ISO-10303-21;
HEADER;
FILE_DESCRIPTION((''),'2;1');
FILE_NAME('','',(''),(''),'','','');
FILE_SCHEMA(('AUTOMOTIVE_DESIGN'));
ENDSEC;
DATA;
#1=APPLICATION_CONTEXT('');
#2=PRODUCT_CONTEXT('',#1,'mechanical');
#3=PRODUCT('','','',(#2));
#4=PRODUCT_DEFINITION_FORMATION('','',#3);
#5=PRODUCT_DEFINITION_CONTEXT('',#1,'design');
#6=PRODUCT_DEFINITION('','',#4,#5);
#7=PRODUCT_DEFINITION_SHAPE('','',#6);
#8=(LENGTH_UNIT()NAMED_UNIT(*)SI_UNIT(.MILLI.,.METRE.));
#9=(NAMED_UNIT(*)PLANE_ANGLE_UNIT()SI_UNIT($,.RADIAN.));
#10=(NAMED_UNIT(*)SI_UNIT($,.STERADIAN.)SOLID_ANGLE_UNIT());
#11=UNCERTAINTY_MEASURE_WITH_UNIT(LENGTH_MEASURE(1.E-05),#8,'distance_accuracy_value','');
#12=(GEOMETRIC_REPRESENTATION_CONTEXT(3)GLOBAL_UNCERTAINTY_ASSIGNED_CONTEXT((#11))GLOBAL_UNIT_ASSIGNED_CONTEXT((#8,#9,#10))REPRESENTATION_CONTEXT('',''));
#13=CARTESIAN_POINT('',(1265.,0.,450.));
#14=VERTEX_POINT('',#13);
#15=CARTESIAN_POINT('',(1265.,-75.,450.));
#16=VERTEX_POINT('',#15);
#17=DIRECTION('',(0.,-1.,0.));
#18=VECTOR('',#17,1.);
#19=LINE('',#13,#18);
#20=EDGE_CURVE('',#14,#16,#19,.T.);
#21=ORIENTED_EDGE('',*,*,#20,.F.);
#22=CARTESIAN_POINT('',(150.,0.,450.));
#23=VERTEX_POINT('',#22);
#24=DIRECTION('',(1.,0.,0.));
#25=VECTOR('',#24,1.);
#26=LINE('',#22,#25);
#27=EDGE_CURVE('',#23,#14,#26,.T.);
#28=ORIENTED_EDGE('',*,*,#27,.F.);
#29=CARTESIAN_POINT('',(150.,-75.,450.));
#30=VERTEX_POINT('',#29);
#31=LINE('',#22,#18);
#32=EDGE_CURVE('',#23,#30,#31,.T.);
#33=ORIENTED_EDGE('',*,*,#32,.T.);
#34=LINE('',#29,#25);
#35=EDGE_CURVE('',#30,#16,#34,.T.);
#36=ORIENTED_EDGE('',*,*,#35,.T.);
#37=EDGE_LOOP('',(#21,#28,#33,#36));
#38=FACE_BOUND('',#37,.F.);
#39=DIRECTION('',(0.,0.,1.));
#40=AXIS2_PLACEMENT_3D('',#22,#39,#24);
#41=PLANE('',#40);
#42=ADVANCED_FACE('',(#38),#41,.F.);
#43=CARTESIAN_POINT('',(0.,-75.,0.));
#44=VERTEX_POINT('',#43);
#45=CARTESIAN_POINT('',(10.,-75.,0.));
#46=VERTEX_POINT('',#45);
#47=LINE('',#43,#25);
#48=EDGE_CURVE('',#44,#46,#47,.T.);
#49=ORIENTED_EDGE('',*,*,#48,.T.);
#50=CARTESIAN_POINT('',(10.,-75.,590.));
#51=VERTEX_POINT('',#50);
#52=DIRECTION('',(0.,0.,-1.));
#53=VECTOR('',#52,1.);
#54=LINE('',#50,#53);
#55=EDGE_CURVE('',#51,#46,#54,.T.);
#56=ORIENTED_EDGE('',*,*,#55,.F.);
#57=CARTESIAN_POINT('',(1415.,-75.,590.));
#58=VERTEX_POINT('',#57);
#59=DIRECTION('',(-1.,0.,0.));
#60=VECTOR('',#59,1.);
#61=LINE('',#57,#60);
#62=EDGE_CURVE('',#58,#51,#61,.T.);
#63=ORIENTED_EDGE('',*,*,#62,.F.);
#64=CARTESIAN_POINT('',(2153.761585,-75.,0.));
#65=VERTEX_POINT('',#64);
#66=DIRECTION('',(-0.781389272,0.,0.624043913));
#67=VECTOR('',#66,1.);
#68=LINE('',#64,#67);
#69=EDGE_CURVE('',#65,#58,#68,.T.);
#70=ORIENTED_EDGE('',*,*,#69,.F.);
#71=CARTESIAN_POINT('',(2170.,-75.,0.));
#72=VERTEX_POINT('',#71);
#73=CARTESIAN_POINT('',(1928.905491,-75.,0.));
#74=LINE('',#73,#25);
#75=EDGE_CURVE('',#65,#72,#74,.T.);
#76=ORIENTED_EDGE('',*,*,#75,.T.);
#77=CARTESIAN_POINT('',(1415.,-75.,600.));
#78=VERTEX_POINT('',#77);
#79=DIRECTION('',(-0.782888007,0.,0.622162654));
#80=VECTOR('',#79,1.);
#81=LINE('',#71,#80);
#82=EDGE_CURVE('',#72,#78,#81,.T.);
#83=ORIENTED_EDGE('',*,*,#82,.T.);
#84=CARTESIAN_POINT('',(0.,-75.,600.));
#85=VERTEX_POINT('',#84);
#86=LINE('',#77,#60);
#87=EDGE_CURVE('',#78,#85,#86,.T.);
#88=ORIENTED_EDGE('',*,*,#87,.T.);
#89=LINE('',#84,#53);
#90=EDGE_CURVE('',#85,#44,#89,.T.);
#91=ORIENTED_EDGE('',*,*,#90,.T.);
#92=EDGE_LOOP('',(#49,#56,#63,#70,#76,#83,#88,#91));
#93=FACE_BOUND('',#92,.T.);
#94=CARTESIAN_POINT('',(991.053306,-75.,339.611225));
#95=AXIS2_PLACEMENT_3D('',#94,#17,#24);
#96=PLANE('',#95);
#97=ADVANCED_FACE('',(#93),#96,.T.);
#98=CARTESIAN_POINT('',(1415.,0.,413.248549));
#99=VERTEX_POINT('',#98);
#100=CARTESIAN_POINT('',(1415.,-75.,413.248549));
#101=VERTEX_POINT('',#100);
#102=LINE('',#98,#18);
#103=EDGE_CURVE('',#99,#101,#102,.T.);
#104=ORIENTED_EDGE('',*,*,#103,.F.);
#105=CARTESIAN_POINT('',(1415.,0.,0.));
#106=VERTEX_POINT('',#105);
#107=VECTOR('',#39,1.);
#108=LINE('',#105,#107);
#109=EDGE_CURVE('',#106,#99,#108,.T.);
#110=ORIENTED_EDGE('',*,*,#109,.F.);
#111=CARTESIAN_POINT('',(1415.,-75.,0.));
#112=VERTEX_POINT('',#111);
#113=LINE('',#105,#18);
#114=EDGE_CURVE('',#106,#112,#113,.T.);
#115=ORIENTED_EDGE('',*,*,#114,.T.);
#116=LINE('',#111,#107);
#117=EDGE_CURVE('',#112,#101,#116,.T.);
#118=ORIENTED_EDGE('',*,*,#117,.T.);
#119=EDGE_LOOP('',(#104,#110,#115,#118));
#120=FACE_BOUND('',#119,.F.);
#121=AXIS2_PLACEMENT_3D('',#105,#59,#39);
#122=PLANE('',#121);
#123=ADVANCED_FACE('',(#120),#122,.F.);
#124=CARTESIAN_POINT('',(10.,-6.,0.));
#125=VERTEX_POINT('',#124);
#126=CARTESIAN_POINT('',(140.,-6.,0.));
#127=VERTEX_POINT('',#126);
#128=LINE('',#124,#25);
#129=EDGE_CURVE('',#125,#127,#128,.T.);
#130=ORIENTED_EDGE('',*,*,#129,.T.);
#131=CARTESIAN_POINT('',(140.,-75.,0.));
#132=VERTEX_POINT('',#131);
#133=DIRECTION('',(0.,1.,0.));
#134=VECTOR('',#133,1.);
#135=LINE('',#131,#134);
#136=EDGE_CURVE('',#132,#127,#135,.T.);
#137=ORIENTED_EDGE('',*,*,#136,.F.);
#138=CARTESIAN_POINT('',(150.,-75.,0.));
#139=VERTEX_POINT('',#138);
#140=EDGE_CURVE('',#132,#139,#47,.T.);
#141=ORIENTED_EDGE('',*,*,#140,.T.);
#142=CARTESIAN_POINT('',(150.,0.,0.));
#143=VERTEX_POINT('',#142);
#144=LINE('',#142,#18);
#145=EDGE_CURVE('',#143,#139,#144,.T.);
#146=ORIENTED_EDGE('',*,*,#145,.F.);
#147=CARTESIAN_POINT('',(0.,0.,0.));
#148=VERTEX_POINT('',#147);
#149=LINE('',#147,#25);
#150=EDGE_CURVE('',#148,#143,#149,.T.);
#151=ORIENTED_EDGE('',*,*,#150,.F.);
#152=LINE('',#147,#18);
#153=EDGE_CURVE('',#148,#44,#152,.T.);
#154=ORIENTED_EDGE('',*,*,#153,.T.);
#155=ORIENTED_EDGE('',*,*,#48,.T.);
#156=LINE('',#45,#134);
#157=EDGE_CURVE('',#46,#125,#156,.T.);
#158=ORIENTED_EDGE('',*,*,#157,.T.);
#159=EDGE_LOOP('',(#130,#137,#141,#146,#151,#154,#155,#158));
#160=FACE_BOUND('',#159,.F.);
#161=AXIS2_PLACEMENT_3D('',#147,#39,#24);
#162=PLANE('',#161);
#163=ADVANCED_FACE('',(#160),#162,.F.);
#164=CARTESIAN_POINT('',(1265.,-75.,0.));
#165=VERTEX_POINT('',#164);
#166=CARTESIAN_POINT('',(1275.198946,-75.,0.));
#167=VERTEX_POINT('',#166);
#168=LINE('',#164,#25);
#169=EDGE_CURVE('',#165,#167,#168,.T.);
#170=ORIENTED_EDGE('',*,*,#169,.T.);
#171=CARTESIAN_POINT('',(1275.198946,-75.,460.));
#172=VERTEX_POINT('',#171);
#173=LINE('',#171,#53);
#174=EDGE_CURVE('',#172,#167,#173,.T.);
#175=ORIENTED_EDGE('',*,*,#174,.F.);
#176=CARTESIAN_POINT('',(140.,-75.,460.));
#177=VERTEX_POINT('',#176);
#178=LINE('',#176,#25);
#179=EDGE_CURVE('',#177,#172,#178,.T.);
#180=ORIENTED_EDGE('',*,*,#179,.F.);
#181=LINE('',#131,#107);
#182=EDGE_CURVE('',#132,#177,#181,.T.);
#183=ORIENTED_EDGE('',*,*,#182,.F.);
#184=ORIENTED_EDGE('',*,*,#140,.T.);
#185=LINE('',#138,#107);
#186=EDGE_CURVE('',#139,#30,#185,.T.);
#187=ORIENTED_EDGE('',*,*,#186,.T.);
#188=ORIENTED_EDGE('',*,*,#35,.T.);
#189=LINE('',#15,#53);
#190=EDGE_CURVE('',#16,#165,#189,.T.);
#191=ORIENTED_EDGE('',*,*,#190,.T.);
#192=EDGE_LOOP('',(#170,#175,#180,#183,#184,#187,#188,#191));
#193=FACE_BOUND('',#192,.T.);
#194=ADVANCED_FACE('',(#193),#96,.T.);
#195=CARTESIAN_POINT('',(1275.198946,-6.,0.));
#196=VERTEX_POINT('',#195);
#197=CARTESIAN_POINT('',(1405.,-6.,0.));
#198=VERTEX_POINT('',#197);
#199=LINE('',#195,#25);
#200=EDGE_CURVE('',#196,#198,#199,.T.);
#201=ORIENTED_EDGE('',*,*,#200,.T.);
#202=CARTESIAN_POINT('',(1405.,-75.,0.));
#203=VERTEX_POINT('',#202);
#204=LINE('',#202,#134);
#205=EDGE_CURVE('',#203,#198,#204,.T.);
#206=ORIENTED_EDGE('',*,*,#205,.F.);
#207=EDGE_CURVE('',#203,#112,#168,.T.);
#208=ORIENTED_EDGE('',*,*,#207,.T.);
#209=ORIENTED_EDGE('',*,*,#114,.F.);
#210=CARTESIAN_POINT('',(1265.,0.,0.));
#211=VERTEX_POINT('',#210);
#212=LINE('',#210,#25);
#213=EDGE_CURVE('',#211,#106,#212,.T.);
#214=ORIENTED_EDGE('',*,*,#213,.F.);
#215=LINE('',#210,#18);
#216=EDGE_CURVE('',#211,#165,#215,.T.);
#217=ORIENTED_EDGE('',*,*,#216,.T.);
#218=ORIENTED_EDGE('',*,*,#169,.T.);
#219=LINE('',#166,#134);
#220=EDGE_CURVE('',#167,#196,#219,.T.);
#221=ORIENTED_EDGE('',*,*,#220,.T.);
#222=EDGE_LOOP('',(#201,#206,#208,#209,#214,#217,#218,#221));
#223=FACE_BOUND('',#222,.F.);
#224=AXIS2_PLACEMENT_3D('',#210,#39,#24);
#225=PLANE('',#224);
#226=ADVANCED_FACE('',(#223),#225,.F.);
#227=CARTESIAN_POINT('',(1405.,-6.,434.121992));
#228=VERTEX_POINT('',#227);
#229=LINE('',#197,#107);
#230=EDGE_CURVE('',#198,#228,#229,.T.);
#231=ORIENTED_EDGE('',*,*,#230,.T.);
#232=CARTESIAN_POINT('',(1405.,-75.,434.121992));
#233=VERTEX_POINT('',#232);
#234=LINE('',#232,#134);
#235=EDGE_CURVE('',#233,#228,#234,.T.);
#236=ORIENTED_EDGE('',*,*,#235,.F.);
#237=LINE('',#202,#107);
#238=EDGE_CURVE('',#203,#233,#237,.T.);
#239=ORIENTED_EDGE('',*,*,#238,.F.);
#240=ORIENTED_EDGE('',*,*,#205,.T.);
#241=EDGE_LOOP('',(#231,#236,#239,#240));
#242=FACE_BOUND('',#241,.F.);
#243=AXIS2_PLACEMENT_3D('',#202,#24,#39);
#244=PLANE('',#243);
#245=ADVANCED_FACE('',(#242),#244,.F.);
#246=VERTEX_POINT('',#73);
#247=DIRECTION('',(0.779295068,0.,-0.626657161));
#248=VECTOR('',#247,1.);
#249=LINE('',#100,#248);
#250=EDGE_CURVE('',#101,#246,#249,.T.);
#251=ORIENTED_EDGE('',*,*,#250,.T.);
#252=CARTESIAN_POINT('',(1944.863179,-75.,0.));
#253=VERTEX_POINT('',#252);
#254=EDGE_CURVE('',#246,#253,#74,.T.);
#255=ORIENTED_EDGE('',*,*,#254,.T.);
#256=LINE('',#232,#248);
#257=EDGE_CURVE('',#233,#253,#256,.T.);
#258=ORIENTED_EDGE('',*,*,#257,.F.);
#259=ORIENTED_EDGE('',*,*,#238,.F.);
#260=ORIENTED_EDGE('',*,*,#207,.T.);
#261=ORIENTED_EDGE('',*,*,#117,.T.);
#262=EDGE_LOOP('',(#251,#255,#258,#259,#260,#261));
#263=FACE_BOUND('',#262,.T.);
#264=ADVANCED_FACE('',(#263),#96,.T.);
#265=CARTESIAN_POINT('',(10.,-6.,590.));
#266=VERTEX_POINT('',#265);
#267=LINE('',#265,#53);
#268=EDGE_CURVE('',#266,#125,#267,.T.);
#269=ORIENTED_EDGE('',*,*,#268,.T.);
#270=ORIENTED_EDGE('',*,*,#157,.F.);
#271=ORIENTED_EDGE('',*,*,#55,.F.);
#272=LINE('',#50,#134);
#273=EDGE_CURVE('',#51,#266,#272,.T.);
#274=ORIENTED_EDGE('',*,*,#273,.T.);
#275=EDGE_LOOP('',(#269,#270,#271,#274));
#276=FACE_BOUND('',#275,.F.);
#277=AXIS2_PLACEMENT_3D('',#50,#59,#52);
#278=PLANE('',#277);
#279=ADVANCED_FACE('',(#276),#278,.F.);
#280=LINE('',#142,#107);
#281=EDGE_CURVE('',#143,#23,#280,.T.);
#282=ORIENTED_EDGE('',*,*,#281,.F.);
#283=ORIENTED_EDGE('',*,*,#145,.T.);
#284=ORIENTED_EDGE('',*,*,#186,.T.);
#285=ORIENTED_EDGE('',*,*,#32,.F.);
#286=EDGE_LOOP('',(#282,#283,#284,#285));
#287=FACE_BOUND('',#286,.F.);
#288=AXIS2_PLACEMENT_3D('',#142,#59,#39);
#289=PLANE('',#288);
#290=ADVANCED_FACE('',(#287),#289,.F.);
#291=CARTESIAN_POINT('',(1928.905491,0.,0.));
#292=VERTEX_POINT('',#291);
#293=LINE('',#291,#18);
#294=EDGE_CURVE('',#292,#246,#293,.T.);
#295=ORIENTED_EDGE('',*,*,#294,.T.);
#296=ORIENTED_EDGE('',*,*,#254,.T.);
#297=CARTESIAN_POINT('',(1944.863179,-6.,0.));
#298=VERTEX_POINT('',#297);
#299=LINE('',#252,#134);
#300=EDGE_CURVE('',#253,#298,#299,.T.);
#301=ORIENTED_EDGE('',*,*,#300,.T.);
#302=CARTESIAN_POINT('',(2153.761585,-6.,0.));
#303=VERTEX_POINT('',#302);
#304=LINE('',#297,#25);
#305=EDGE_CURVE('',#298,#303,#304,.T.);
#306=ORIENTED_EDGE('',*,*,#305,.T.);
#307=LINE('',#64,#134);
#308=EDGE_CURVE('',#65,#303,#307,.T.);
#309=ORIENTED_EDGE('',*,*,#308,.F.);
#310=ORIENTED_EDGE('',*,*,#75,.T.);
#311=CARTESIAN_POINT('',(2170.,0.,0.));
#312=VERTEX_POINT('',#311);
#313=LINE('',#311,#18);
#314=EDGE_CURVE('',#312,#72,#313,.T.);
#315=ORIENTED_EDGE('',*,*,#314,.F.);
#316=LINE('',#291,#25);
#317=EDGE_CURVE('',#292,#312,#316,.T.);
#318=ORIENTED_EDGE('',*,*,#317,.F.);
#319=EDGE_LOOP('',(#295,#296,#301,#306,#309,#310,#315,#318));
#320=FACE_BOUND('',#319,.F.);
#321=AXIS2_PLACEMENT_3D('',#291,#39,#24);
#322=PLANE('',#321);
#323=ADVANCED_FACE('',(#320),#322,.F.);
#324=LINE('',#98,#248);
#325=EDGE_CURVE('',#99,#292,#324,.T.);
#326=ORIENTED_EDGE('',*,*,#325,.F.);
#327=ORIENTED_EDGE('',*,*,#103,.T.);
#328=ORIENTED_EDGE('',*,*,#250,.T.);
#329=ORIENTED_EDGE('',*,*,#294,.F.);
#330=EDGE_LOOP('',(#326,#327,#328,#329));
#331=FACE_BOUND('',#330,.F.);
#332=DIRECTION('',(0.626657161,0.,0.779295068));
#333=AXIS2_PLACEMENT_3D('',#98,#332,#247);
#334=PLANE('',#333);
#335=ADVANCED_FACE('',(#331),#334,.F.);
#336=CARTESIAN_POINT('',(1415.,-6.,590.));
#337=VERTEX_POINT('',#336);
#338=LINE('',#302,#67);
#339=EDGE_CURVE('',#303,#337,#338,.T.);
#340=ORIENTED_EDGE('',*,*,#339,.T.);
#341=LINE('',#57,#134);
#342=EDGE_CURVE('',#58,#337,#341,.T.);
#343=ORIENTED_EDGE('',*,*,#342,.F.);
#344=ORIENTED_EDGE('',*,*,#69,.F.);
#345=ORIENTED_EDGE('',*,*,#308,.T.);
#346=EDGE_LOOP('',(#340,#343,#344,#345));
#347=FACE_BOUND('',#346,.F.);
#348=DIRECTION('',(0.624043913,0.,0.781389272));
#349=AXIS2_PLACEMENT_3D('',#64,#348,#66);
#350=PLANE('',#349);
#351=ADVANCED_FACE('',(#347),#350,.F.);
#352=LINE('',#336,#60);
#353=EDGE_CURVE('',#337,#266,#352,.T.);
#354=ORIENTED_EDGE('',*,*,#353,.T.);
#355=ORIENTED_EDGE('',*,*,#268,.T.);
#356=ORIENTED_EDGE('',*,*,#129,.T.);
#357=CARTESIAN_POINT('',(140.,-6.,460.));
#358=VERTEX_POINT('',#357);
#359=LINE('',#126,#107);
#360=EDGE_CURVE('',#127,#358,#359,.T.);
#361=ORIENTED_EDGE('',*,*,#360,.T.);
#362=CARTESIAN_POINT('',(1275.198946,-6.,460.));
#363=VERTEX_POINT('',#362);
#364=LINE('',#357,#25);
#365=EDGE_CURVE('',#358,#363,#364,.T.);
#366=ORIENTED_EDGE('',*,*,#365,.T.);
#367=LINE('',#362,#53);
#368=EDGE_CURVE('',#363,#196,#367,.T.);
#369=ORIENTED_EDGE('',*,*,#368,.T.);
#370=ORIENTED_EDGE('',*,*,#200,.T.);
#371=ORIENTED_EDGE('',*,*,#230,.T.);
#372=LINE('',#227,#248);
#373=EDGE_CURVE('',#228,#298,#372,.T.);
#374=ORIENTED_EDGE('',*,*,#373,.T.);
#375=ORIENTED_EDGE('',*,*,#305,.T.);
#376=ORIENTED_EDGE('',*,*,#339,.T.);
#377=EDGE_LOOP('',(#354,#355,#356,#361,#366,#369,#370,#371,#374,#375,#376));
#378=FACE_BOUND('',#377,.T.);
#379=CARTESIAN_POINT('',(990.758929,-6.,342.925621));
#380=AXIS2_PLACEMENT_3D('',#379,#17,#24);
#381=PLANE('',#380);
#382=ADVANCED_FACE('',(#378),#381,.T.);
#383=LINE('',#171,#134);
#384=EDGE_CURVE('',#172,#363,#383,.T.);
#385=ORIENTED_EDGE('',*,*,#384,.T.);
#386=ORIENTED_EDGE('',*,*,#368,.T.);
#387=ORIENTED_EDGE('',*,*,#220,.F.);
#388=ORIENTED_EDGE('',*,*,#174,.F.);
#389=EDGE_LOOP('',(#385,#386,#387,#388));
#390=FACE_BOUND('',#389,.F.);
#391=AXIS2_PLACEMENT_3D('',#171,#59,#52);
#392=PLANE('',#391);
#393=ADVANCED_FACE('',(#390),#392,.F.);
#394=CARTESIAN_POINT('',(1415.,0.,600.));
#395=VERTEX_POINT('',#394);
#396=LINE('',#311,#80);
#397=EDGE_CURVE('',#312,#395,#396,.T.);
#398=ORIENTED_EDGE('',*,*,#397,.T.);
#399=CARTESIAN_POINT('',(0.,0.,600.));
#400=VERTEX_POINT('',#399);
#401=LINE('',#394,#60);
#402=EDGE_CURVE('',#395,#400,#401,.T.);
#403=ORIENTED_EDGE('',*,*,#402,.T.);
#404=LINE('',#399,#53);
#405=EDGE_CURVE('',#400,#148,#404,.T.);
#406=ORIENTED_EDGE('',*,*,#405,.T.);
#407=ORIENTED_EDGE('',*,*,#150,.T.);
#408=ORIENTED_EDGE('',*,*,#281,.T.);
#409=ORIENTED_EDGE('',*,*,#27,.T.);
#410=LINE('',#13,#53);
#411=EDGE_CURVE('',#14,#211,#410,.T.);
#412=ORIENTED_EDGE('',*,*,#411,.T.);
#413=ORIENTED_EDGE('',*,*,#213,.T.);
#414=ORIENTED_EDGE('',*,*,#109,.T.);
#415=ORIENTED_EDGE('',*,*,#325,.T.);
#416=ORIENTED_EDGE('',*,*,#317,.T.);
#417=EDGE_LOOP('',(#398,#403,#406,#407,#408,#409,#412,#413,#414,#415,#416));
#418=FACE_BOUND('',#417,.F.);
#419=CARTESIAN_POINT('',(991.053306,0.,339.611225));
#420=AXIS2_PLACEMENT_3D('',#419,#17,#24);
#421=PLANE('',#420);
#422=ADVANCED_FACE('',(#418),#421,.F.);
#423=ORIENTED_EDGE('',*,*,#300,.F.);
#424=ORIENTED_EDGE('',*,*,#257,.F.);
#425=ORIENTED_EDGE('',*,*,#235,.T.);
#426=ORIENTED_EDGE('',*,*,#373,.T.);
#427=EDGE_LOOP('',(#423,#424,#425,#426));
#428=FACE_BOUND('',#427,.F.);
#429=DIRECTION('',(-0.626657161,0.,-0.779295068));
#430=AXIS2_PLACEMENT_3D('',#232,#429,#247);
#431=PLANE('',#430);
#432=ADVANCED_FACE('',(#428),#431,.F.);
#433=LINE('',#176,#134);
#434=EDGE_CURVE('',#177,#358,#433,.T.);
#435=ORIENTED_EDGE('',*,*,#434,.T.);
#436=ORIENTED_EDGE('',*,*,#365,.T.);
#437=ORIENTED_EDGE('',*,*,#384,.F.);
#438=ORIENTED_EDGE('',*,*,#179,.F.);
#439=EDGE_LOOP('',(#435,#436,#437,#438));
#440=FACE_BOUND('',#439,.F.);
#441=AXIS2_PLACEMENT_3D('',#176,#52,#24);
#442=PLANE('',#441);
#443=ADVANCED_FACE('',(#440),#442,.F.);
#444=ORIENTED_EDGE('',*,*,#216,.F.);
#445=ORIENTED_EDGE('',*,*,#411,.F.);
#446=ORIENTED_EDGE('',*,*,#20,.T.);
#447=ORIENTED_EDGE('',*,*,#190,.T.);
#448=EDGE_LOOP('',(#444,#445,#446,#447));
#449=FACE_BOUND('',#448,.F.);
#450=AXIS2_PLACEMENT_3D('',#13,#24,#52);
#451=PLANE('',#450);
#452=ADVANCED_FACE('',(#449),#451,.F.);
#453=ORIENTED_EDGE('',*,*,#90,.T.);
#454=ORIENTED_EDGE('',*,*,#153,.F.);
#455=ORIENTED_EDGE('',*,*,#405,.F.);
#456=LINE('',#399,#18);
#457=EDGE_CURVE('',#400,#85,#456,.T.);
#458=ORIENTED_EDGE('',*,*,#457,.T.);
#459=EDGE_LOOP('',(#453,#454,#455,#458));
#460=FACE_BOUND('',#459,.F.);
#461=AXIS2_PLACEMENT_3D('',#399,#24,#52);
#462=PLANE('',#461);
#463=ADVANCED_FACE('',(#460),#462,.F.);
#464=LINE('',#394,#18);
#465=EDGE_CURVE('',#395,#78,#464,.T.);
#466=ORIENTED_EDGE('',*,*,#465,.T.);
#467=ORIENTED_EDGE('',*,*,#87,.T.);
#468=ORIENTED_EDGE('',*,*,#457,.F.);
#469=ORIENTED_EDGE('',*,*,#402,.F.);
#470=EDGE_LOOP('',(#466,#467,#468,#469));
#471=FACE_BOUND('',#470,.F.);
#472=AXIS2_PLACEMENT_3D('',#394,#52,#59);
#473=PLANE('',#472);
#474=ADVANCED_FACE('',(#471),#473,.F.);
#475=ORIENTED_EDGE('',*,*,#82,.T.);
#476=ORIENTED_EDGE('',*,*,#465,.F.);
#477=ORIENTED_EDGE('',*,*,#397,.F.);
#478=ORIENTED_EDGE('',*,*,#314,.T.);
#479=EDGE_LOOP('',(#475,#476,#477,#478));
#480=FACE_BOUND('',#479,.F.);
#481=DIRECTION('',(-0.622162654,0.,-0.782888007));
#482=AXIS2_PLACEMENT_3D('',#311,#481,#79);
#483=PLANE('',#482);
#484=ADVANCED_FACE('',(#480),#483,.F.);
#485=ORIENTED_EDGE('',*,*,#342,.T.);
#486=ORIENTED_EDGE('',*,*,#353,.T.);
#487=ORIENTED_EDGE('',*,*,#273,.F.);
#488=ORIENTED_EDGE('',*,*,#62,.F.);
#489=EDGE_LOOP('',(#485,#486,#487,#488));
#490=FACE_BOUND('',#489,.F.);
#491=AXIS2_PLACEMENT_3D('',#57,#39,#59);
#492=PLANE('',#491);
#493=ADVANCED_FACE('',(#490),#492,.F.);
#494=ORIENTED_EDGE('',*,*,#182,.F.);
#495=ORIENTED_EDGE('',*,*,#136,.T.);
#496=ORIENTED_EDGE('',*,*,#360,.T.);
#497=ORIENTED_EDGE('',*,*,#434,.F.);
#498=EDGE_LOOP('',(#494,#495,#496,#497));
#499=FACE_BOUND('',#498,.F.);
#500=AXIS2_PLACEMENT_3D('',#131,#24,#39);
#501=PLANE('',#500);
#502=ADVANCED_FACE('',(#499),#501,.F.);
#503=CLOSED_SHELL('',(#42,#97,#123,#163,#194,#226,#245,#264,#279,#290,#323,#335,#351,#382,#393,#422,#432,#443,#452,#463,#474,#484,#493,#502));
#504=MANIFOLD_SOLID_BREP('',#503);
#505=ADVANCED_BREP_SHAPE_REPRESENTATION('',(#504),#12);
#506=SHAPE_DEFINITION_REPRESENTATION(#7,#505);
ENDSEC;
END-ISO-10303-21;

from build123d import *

# Parameters (mm, degrees)
F1_DEPTH = 75
F3_DEPTH = 69


with BuildPart() as f1:
    # F0 (on Front) → F1 (new body)
    with BuildSketch(Plane.XZ):
        Polygon((0, 600), (0, 0), (150, 0), (150, 450), (1265, 450), (1265, 0), (1415, 0), (1415, 413.248549), (1928.905491, 0), (2170, 0), (1415, 600), align=None)
    extrude(amount=F1_DEPTH)

    # F2 (on face) → F3 (cut)
    with BuildSketch(Plane.XZ.offset(75)):
        Polygon((140, 0), (140, 450), (140, 460), (1265.198946, 460), (1275.198946, 460), (1275.198946, 0), (1405, 0), (1405, 434.121992), (1944.863179, 0), (2153.761585, 0), (1415, 590), (10, 590), (10, 0), align=None)
    extrude(amount=-F3_DEPTH, mode=Mode.SUBTRACT)


solid = f1.part
